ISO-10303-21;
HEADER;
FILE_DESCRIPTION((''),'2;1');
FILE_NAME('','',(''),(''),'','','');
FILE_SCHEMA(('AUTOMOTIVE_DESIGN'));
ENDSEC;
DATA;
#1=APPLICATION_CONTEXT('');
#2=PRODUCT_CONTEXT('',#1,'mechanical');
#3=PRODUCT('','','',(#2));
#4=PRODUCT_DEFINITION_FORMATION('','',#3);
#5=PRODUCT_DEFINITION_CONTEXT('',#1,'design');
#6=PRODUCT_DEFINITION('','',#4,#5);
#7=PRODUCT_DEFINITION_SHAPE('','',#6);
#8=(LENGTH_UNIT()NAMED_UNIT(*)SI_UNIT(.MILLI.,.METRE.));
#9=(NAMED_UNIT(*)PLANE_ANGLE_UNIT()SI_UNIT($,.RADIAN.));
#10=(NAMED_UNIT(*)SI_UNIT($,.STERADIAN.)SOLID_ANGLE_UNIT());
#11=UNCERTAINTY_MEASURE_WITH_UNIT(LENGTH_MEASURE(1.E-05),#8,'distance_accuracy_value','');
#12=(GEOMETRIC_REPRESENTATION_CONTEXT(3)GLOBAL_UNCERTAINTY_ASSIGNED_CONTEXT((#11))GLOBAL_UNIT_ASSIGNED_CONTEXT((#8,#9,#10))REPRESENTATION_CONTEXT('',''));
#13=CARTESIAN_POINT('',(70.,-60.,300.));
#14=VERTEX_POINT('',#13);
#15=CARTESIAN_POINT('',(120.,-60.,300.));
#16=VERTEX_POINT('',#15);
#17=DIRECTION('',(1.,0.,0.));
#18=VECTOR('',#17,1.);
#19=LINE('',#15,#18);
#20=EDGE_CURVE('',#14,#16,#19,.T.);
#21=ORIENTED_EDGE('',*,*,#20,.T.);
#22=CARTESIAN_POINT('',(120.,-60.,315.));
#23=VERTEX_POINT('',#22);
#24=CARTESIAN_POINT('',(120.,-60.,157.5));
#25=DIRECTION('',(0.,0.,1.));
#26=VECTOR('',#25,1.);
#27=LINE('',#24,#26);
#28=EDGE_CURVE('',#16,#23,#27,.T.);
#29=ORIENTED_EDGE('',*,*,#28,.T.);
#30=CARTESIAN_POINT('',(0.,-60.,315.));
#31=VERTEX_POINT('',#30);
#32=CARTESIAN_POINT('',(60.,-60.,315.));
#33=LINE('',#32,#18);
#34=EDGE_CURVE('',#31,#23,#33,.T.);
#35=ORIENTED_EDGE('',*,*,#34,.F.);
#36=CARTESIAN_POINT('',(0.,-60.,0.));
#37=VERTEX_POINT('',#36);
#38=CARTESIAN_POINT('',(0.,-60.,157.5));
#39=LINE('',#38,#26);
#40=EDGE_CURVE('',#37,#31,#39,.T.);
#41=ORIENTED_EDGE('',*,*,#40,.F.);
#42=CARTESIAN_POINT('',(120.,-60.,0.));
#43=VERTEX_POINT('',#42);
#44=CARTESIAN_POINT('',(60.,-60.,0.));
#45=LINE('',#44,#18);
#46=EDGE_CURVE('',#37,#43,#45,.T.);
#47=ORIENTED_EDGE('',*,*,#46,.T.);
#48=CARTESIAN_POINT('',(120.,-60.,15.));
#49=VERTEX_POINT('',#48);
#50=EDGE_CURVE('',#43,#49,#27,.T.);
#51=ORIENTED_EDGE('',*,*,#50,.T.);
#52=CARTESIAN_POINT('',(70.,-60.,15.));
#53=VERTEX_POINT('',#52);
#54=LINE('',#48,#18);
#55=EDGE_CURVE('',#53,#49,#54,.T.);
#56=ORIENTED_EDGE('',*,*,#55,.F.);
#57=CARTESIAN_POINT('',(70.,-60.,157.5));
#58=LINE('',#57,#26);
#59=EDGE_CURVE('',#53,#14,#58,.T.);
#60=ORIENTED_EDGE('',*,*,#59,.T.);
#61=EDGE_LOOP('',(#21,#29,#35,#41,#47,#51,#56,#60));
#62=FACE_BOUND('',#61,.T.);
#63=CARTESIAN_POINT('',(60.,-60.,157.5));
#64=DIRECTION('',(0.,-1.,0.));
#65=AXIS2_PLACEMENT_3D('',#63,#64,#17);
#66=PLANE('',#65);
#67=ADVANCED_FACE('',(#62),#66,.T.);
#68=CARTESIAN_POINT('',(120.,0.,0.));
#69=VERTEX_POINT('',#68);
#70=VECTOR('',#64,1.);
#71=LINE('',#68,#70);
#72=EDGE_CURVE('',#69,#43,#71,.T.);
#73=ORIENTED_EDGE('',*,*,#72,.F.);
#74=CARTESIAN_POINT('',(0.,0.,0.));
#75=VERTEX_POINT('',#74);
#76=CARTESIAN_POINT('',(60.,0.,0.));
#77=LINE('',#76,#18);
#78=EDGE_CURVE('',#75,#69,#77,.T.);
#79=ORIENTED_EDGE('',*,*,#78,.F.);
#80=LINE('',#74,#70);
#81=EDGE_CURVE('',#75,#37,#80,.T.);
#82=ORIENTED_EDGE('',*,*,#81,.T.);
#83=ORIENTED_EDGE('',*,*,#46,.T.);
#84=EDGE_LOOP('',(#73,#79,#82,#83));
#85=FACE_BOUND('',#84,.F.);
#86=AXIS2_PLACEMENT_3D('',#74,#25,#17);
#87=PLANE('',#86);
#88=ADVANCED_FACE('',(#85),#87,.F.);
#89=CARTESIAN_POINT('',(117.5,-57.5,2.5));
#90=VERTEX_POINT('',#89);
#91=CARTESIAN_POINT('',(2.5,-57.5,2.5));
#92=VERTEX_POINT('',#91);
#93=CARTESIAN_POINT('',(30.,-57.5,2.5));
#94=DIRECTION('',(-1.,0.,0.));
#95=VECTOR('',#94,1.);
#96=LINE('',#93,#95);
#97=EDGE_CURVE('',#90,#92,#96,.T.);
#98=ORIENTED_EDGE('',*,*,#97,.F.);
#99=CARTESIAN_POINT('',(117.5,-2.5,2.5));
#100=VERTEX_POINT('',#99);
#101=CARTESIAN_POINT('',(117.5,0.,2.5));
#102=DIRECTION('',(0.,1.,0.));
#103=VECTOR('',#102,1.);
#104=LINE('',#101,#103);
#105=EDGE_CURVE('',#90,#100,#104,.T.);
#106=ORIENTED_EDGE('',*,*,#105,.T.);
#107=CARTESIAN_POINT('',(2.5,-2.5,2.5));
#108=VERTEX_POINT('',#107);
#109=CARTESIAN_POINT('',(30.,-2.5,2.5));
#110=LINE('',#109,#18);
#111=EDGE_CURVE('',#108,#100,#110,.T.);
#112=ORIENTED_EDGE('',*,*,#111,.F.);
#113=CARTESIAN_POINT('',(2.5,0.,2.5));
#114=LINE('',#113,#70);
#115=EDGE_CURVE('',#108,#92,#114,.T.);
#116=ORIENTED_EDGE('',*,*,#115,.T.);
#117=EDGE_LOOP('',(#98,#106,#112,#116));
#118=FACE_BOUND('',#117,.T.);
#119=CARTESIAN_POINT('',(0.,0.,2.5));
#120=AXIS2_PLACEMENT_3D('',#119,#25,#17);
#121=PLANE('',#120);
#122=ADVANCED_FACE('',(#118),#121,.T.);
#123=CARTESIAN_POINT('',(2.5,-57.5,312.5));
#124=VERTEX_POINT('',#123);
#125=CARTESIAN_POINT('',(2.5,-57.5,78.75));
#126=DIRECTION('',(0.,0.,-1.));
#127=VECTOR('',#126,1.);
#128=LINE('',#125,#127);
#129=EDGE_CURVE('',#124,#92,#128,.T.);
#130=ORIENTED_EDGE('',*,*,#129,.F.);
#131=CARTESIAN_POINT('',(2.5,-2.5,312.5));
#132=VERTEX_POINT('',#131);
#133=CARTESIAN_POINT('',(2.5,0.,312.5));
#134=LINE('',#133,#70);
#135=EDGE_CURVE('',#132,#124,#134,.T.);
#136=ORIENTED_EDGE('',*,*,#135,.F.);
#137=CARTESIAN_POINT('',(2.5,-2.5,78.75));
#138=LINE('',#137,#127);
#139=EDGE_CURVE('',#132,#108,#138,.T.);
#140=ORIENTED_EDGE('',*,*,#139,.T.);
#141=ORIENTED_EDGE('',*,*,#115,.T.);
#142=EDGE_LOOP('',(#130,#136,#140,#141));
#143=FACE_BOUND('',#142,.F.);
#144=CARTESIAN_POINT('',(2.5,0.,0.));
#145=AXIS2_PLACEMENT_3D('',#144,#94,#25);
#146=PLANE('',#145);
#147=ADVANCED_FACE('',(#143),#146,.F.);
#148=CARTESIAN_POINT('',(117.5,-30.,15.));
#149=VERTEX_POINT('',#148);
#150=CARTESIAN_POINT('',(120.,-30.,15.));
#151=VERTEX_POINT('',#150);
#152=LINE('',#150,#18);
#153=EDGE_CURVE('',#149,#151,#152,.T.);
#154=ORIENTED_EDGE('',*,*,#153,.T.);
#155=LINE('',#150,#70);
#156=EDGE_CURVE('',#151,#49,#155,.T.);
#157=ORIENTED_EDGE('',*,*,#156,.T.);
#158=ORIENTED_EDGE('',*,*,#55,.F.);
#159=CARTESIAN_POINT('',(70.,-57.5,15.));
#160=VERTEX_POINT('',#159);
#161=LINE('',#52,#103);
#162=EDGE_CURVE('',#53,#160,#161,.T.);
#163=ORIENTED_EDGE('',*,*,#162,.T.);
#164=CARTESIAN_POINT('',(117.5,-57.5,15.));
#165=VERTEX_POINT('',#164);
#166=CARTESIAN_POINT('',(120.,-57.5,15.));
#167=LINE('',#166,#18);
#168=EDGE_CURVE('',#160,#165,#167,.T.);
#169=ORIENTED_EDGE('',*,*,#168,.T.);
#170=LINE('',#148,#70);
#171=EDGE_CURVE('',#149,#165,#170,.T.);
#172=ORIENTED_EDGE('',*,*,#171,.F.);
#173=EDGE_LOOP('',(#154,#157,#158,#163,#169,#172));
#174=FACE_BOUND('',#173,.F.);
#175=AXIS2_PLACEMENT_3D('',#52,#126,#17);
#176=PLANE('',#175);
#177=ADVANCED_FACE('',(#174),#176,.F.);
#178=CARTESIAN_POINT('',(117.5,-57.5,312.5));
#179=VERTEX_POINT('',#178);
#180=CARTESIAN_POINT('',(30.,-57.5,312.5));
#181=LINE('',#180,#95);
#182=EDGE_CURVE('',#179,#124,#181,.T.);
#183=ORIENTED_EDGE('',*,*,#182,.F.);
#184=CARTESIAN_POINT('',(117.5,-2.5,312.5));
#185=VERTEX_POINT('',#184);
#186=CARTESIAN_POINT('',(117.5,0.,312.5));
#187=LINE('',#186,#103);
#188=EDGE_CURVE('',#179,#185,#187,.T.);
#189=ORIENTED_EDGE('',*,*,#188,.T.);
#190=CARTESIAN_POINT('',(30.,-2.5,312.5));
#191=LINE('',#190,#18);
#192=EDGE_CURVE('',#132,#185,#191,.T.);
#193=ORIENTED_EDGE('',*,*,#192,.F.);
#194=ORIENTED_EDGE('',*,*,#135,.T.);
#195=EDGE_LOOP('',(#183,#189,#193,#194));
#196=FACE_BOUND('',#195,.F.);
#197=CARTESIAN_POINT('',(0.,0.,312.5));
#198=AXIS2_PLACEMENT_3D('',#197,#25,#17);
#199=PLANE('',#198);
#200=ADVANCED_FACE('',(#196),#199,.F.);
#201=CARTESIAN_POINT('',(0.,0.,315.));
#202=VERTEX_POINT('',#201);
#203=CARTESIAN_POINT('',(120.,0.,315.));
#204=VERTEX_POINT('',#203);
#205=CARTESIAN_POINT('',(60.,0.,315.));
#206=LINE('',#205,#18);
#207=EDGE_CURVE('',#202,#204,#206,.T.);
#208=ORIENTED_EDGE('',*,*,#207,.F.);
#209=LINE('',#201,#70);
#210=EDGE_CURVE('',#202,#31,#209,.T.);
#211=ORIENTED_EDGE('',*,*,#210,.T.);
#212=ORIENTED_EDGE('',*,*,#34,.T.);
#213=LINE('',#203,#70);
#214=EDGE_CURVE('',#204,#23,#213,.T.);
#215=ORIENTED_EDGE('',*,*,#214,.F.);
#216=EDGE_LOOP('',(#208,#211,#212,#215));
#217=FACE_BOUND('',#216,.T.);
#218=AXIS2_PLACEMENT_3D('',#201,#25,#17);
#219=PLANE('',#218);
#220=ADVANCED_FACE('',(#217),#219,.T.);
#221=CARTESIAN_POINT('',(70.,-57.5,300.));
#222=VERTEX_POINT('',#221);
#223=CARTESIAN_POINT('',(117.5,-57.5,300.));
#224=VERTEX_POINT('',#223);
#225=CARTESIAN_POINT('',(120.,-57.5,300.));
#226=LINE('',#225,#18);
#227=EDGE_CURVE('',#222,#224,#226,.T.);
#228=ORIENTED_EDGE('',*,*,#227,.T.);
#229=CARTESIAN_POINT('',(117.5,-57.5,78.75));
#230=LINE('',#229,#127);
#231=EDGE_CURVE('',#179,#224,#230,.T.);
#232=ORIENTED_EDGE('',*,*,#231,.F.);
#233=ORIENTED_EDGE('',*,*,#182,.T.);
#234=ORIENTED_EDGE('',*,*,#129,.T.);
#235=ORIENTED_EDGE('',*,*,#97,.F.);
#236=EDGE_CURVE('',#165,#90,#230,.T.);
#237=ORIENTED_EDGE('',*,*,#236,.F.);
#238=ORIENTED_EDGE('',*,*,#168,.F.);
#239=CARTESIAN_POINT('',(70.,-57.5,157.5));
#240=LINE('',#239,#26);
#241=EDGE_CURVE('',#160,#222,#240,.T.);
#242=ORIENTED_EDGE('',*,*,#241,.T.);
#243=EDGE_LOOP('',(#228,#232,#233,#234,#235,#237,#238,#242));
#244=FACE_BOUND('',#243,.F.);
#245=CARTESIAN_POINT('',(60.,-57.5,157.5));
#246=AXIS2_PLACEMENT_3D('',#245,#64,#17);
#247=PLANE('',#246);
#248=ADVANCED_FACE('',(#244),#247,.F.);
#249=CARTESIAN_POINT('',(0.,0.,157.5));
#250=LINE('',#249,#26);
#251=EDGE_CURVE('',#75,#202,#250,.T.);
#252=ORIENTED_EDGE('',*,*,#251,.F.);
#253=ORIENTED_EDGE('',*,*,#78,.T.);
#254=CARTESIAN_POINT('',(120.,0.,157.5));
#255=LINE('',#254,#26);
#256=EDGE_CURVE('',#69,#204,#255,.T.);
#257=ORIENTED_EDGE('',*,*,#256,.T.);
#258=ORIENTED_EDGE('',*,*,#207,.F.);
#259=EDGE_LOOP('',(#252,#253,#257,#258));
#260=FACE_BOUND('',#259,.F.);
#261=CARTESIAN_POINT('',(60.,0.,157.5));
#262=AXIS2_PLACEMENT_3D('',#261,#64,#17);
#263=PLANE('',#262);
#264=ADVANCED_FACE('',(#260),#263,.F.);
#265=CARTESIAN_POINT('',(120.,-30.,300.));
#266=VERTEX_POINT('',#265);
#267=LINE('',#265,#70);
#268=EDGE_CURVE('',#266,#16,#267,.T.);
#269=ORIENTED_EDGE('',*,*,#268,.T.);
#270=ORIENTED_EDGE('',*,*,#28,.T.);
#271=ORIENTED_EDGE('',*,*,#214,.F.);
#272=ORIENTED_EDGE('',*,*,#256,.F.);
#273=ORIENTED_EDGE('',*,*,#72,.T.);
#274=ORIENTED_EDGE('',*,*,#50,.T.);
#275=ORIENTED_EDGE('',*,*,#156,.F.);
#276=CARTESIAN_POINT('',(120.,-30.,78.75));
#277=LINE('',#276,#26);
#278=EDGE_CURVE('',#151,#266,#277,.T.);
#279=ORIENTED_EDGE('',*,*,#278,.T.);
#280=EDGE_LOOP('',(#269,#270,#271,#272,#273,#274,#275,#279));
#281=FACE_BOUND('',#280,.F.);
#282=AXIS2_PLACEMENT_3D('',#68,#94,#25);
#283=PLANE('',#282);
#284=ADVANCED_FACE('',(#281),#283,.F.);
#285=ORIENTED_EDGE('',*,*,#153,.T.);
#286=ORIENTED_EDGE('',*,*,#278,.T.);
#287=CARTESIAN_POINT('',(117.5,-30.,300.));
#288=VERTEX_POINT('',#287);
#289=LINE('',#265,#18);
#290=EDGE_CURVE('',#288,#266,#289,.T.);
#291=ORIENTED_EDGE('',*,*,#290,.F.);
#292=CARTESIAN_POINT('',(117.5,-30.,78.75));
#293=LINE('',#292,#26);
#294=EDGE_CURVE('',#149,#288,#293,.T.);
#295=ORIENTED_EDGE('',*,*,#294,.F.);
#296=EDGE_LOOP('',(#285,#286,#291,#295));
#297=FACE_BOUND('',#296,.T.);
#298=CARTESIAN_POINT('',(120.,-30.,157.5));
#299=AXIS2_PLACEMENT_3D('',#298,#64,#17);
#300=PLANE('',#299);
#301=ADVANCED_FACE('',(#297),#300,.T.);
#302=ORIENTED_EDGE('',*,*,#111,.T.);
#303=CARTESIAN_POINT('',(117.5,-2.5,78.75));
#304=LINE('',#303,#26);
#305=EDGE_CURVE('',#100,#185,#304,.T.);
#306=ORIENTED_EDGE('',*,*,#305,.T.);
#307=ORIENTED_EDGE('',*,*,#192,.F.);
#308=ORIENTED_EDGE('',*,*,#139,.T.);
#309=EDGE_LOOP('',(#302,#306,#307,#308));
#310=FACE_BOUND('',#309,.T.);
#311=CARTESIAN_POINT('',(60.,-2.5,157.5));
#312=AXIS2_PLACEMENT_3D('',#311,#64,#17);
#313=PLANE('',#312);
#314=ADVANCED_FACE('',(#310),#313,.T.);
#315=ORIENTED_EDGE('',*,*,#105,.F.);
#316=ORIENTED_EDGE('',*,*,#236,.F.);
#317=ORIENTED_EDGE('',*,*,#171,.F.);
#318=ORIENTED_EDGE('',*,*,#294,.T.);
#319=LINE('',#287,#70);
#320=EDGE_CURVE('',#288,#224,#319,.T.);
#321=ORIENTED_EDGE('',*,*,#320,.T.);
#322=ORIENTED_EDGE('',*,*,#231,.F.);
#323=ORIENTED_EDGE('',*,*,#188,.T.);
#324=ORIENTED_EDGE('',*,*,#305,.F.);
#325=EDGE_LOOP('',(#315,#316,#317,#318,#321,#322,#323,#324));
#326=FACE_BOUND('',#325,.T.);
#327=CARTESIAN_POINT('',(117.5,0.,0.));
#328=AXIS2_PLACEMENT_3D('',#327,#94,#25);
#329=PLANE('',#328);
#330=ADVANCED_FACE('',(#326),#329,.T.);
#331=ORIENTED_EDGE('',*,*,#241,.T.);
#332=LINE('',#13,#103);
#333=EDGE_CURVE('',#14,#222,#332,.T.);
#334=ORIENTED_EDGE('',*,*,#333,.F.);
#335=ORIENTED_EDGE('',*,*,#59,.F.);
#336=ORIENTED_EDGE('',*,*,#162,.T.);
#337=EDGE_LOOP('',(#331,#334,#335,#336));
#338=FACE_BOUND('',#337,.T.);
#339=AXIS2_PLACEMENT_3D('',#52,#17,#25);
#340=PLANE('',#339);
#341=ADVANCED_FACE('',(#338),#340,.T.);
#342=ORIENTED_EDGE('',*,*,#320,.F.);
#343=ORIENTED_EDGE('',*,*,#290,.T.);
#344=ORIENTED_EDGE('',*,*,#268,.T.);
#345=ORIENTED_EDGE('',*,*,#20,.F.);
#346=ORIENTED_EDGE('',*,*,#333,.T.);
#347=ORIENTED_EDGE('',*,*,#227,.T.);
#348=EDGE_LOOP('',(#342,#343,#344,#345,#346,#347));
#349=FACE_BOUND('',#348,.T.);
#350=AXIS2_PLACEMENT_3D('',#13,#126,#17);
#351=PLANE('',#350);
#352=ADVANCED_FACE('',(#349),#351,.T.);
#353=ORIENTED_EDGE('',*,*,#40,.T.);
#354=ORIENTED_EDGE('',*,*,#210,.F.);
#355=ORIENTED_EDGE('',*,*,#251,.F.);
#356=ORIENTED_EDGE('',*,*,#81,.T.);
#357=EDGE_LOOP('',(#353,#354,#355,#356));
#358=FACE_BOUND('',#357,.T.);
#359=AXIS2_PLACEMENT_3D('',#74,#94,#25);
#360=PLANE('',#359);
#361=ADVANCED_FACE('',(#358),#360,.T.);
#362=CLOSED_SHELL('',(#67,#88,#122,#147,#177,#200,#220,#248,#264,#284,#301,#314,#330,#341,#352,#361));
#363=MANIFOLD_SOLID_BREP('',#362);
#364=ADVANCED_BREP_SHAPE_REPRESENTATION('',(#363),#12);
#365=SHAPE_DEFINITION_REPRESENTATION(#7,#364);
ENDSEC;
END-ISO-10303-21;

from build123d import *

# Parameters (mm, degrees)
F0_W     = 120
F0_H     = 315
F1_DEPTH = 60
F2_W     = 100
F2_H     = 285
F3_DEPTH = 30
F4_T     = -2.5


with BuildPart() as f1:
    # F0 (on Front) → F1 (new body)
    with BuildSketch(Plane.XZ):
        with Locations((60, 157.5)):
            Rectangle(F0_W, F0_H)
    extrude(amount=F1_DEPTH)

    # F2 (on face) → F3 (cut)
    with BuildSketch(Plane.XZ.offset(60)):
        with Locations((120, 157.5)):
            Rectangle(F2_W, F2_H)
    extrude(amount=-F3_DEPTH, mode=Mode.SUBTRACT)

    # F4
    f4_openings = [f1.faces().sort_by_distance(p)[0] for p in [
        (95, -45, 300),
        (70, -45, 157.5),
        (95, -30, 157.5),
        (95, -45, 15),
    ]]
    offset(amount=F4_T, openings=f4_openings)


solid = f1.part
